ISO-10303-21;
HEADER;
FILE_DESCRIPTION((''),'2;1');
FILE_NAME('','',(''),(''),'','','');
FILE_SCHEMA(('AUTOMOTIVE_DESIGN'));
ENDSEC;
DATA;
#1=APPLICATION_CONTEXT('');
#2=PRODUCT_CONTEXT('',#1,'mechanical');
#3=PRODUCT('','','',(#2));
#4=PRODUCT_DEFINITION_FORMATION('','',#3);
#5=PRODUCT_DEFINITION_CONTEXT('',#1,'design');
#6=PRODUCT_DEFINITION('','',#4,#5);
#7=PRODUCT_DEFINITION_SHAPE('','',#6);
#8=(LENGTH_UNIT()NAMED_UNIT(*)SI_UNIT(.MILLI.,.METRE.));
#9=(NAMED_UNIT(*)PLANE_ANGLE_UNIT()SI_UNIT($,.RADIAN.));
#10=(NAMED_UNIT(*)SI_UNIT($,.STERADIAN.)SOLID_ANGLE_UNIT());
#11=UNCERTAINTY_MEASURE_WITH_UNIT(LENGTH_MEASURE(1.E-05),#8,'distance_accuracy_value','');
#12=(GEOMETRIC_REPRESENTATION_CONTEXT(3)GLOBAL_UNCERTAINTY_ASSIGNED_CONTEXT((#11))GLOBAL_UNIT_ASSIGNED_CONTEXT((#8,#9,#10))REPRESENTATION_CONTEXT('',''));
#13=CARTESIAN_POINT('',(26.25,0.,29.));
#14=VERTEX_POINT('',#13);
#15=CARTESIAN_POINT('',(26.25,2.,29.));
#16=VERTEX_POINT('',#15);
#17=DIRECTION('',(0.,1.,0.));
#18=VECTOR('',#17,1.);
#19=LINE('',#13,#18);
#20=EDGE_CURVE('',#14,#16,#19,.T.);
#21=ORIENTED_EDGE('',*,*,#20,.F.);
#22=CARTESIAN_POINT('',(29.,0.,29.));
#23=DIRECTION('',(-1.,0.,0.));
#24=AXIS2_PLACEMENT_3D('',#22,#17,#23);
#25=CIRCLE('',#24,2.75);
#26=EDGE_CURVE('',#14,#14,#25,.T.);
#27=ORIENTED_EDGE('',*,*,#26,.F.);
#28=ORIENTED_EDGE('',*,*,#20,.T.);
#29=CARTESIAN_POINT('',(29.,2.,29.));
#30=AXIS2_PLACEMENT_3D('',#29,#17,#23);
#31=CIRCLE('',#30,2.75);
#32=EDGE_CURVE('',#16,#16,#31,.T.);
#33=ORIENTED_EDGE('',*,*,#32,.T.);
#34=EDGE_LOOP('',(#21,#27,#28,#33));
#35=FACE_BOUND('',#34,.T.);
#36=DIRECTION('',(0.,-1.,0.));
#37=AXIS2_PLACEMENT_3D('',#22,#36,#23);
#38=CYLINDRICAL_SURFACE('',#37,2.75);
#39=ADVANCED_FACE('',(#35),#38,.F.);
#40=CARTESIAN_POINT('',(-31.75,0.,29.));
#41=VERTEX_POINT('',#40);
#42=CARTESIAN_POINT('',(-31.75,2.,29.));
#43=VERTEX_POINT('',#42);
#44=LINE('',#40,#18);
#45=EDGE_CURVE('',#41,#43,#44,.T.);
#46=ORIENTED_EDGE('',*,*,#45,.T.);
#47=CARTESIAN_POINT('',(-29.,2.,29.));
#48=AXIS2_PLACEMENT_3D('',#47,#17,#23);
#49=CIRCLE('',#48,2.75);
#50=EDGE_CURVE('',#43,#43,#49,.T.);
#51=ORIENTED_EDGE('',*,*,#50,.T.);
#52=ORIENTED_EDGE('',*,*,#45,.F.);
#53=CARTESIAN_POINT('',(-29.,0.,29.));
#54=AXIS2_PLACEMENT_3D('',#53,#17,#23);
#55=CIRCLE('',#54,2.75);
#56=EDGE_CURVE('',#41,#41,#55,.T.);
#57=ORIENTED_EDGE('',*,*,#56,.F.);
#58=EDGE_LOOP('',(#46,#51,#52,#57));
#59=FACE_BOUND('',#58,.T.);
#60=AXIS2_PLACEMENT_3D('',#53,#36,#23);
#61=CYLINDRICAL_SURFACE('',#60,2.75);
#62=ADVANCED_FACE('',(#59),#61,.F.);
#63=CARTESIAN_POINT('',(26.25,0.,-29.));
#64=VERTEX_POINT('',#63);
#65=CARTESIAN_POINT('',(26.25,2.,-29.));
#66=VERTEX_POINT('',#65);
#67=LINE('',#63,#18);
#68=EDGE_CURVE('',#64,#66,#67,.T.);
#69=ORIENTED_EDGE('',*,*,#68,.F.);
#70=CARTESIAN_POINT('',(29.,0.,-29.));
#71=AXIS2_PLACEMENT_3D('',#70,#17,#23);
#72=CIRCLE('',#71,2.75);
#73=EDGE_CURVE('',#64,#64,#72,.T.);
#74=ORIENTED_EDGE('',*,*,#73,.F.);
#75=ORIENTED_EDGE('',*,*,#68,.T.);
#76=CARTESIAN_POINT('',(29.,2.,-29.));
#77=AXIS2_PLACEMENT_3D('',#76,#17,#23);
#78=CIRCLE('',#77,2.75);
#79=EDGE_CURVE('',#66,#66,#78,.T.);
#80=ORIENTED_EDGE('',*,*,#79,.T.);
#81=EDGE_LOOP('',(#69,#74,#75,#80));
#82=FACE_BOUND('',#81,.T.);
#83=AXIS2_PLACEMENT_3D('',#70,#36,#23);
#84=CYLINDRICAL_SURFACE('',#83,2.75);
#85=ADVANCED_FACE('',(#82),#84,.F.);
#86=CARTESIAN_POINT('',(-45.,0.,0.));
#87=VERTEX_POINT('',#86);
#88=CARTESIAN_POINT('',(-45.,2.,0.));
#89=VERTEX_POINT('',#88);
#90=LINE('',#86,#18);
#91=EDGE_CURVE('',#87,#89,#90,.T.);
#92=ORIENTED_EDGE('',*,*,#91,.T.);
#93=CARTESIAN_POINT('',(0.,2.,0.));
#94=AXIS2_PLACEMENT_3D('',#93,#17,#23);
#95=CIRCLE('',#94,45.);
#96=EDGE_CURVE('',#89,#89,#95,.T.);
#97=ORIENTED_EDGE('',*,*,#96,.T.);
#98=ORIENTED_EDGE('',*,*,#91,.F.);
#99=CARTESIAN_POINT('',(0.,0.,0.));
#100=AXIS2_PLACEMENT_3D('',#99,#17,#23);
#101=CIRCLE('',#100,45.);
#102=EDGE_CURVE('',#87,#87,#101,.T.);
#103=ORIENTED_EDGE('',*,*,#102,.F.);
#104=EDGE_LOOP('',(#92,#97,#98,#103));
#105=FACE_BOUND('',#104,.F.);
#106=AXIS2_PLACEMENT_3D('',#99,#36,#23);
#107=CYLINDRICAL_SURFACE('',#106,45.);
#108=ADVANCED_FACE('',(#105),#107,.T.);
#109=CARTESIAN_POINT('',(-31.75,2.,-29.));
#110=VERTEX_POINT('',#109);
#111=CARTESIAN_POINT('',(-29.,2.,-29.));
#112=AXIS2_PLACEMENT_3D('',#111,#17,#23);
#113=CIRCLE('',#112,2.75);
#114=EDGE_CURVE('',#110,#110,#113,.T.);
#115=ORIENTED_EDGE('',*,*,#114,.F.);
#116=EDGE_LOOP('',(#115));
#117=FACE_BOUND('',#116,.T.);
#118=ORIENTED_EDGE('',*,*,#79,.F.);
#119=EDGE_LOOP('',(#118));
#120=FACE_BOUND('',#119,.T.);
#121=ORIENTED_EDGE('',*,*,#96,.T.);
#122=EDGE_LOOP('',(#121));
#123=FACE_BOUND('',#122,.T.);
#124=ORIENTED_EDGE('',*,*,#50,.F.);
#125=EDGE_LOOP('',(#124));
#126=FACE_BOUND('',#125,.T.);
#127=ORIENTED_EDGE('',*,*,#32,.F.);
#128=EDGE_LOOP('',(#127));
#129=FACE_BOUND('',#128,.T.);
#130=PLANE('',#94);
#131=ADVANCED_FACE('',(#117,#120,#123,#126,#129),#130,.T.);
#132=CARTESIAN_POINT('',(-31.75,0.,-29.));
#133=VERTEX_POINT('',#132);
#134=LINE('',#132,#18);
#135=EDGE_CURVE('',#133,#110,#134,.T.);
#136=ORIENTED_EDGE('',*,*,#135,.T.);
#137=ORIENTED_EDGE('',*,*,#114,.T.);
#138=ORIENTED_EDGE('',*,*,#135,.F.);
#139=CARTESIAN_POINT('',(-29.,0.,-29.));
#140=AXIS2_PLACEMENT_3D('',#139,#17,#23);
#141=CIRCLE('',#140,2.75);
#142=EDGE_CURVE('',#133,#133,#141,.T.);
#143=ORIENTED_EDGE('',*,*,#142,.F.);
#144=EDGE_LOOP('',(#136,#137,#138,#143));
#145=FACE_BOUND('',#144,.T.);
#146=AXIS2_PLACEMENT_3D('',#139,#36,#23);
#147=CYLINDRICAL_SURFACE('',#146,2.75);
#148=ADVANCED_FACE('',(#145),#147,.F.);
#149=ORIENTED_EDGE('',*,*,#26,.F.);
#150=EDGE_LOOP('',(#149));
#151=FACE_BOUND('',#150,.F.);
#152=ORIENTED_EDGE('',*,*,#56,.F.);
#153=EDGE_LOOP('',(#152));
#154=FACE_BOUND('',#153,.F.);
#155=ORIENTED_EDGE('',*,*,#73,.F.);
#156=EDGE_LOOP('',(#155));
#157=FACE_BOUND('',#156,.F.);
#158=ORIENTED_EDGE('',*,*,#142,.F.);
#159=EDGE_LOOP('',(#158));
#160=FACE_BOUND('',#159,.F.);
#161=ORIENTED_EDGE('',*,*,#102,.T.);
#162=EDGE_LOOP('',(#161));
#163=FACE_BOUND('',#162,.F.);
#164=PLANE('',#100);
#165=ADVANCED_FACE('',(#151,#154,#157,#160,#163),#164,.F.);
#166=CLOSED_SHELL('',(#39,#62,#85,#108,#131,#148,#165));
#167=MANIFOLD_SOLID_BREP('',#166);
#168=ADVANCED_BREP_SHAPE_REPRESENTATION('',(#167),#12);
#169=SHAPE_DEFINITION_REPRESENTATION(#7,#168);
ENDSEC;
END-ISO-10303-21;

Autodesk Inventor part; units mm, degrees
ref_plane "YZ Plane" through (0, 0, 0) normal (1, 0, 0) x (0, 1, 0)
ref_plane "XZ Plane" through (0, 0, 0) normal (0, 1, 0) x (-1, 0, 0)
ref_plane "XY Plane" through (0, 0, 0) normal (0, 0, 1) x (1, 0, 0)
sketch "Sketch1" plane through (0, 0, 0) normal (0, 1, 0) x (-1, 0, 0)
  circle A0 centre (0, 0) radius 45
  circle A1 centre (29, 29) radius 2.75
  circle A2 centre (-29, 29) radius 2.75
  circle A3 centre (-29, -29) radius 2.75
  circle A4 centre (29, -29) radius 2.75
  dimension "d0" = 90
  dimension "d1" = 5.5
  dimension "d2" = 29
  dimension "d3" = 29
  dimension "d6" = 360
extrude "Extrusion1" add sketch "Sketch1" along normal blind 2
properties part number "DisplayGlass"
